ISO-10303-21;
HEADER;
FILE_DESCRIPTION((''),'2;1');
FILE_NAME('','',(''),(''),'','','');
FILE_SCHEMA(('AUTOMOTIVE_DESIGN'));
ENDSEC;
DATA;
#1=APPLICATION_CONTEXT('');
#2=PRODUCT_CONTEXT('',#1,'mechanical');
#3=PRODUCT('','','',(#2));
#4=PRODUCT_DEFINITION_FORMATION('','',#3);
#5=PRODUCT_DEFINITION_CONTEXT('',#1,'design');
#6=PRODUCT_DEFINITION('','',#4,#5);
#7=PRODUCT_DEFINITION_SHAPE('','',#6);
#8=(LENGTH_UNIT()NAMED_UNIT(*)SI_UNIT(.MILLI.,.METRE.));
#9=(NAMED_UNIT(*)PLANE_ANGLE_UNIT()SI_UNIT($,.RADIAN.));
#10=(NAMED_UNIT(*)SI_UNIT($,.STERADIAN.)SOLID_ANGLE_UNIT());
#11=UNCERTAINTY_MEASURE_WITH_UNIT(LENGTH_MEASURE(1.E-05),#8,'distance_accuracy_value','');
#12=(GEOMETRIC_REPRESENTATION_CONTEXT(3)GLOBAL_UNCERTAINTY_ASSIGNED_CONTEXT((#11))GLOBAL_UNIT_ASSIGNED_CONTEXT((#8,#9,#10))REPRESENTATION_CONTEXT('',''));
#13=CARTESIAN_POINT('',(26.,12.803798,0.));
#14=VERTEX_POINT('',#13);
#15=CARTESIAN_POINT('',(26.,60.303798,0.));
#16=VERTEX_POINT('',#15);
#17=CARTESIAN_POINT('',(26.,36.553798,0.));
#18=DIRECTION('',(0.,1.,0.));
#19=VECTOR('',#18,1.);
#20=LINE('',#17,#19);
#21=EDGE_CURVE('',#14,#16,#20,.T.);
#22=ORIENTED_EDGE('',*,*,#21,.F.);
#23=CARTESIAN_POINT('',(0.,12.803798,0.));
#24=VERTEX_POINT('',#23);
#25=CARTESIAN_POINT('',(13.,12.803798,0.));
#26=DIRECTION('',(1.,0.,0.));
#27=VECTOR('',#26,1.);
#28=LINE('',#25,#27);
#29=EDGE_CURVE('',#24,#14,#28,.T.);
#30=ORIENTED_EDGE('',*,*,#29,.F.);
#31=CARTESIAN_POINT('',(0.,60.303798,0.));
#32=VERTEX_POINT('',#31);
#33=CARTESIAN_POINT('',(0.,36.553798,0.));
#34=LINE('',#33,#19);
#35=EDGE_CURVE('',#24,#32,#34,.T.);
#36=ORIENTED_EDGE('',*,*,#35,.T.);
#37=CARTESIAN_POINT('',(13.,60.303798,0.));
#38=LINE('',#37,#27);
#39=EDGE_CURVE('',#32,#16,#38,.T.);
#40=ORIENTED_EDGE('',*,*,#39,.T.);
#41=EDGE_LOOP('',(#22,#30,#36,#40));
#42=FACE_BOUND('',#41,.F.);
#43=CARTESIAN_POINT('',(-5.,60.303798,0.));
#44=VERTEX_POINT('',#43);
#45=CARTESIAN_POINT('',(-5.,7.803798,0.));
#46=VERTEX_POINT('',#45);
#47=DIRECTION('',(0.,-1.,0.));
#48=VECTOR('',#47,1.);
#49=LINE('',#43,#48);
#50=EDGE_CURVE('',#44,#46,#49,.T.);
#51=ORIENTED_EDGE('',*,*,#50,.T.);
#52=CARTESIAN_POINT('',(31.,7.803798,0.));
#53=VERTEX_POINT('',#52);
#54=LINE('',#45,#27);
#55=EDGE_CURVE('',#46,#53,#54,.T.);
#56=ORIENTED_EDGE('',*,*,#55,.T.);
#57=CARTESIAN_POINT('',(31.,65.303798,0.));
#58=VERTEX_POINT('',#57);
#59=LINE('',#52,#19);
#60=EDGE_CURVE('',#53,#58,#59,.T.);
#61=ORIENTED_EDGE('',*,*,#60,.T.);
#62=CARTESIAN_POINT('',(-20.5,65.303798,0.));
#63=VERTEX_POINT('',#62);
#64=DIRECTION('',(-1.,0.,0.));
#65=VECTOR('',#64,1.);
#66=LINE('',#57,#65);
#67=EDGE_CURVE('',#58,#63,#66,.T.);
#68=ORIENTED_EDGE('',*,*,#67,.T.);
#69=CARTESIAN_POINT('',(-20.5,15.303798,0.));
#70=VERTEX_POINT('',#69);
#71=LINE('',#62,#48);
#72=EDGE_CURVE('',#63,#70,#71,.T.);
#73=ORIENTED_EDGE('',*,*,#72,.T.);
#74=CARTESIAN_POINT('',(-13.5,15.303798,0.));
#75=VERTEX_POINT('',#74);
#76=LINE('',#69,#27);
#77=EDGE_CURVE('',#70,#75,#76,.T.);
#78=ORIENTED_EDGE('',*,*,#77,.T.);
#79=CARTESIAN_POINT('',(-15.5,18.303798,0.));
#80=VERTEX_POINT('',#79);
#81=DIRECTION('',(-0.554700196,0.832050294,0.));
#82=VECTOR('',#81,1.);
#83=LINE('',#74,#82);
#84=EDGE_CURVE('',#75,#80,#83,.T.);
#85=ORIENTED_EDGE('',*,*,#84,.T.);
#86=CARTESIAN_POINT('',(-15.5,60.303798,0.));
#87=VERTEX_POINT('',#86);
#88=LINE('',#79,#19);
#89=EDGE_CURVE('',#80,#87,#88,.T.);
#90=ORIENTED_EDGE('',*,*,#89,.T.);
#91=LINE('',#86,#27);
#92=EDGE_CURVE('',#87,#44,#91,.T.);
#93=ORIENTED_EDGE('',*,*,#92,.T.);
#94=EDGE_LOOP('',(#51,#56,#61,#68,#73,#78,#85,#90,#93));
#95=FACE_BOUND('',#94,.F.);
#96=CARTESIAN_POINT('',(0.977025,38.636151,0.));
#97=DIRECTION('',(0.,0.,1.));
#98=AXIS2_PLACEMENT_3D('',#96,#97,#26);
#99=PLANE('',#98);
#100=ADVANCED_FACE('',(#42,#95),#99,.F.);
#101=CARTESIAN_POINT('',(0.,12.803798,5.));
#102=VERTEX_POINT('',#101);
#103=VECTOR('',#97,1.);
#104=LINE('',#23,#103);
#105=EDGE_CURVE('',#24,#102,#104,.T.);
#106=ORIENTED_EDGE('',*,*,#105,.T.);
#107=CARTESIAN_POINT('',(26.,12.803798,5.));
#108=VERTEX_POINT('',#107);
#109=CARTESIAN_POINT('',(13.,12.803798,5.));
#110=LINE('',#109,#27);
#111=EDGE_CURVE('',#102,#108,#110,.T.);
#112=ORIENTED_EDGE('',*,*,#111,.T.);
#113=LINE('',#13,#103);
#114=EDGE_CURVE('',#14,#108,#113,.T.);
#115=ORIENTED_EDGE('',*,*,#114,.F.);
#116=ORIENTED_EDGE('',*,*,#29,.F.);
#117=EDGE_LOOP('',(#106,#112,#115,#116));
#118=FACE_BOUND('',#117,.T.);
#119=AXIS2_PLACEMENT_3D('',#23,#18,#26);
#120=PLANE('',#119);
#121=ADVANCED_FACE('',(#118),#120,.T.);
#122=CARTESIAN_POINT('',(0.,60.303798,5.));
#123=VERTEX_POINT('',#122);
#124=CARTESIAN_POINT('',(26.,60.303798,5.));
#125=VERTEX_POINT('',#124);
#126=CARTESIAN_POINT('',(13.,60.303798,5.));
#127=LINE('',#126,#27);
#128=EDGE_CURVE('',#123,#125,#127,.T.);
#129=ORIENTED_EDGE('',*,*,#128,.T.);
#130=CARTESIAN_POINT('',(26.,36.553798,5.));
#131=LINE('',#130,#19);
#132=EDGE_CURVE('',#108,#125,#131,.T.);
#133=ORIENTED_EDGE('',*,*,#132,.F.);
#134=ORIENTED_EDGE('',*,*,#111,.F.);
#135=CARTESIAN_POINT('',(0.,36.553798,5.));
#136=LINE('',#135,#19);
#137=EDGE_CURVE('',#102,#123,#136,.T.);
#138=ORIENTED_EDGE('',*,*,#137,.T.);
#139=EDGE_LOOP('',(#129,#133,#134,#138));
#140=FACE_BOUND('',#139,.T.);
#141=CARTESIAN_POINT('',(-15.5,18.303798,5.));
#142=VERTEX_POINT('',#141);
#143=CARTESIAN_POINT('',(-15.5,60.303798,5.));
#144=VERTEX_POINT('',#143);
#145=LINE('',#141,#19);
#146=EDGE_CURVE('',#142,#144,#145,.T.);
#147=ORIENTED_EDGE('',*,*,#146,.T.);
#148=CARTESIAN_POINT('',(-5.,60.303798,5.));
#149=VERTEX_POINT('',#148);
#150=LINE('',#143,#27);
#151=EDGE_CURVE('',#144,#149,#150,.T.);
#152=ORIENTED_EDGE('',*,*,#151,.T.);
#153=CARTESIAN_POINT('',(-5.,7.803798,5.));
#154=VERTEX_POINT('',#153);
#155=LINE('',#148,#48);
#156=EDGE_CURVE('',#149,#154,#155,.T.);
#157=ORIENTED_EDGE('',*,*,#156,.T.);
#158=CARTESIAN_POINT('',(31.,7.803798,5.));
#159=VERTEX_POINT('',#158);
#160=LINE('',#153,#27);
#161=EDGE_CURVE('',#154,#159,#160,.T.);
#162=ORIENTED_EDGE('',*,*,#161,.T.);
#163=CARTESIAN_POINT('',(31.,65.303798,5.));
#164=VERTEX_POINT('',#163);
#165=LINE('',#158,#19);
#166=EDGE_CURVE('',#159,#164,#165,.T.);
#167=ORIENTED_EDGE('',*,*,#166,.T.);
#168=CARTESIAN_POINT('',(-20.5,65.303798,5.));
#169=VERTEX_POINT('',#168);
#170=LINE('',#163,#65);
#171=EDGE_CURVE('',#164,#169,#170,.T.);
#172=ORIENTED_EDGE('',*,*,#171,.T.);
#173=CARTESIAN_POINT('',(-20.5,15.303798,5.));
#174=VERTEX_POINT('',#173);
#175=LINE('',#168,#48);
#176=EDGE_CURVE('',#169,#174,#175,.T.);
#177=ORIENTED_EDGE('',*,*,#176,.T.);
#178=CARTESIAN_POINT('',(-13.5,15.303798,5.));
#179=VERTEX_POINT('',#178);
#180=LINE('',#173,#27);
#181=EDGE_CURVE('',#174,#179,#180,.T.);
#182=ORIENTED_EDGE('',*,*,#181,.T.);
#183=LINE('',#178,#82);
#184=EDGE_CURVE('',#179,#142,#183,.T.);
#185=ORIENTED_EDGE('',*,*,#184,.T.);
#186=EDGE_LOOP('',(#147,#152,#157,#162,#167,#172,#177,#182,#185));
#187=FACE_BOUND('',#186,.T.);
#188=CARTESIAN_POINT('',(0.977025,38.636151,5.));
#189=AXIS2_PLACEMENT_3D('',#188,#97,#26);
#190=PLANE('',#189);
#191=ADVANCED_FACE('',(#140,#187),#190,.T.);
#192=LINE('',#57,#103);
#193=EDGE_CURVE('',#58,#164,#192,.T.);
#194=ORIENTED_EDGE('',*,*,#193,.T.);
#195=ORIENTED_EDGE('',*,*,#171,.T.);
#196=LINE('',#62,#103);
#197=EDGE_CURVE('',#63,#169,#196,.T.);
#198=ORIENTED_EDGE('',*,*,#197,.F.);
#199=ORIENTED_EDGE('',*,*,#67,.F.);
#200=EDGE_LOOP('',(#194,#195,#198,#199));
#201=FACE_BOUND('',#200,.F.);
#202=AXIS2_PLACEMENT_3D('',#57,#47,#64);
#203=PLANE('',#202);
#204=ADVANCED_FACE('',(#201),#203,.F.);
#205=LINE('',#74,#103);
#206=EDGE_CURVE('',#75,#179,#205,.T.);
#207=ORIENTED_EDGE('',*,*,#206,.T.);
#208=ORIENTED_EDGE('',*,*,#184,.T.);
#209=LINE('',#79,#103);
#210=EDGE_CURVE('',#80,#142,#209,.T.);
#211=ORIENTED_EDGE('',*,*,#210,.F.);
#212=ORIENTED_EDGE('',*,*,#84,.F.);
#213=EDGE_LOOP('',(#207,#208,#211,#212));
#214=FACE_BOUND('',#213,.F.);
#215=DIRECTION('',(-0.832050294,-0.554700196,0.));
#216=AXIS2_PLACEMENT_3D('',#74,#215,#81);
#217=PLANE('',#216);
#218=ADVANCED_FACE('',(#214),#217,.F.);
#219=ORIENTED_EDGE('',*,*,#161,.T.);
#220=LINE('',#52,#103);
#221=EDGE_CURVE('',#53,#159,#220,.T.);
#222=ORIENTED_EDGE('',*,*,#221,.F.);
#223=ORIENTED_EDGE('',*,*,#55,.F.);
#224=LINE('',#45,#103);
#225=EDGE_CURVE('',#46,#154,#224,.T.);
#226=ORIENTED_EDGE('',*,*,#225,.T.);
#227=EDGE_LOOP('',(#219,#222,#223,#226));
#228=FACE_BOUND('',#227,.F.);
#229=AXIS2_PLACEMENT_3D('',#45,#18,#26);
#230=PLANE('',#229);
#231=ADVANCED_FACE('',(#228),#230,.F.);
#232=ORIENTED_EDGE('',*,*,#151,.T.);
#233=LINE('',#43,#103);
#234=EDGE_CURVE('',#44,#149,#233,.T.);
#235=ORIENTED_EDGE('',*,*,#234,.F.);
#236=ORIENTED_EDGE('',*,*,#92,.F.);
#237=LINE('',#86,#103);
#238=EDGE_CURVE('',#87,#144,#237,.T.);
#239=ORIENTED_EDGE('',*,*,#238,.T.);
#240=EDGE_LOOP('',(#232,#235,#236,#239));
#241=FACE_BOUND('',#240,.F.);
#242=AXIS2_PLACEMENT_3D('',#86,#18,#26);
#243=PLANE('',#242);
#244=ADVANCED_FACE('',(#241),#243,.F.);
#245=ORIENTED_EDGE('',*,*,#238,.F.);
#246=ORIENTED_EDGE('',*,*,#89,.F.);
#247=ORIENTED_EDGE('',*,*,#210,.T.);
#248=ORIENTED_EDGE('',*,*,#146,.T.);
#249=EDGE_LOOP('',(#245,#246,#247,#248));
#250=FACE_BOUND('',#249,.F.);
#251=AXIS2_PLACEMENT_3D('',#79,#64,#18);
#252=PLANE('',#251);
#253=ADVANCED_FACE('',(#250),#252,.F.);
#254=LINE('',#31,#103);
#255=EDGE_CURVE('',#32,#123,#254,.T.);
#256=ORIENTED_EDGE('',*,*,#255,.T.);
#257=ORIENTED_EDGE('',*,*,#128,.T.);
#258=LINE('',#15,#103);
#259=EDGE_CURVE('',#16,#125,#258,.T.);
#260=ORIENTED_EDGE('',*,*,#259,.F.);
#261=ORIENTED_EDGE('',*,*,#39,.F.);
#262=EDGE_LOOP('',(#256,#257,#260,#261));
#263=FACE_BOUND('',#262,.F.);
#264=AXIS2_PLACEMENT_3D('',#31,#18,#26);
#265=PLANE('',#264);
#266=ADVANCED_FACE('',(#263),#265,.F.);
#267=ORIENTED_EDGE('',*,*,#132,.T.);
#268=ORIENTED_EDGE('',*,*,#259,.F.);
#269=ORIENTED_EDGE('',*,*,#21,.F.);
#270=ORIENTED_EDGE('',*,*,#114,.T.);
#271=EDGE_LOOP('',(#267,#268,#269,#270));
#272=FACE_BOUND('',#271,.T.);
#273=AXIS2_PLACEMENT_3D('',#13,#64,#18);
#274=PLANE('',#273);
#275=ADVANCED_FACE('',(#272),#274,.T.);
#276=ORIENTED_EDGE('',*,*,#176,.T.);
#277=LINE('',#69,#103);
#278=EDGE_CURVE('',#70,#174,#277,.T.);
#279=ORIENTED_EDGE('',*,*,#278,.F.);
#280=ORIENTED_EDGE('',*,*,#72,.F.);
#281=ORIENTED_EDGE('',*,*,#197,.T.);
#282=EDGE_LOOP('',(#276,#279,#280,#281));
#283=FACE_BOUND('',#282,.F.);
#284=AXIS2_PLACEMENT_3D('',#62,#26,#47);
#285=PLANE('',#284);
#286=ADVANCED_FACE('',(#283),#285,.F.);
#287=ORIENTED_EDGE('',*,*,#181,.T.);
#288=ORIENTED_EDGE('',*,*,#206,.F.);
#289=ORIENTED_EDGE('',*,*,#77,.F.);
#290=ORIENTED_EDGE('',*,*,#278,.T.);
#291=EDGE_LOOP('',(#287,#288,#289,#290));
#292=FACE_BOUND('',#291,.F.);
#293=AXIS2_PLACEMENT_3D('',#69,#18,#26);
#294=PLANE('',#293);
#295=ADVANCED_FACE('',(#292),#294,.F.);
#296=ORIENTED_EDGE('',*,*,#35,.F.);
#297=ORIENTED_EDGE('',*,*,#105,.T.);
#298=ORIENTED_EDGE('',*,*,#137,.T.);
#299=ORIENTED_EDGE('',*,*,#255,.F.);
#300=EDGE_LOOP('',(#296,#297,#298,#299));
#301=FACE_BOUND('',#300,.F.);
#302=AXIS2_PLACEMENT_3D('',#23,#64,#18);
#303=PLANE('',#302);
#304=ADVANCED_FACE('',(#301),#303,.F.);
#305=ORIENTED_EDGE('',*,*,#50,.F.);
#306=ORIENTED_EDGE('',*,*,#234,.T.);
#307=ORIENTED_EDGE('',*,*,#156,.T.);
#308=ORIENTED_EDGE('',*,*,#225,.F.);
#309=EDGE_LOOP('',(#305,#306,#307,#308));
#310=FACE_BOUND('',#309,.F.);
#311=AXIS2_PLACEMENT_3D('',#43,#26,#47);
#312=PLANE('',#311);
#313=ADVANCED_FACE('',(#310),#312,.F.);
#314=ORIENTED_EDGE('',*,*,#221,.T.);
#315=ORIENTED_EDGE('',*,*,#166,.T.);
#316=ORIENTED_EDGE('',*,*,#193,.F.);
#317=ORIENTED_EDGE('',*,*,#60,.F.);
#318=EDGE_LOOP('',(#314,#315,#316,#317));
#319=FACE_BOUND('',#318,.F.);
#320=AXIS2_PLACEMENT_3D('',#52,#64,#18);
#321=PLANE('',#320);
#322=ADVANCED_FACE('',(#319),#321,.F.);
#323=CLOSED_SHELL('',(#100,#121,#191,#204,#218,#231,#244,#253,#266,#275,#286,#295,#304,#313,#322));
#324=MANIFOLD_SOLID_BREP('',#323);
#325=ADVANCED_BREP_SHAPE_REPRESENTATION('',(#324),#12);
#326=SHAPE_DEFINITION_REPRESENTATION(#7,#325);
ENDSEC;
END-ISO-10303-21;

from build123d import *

# Parameters (mm, degrees)
F0_W     = 26
F0_H     = 47.5
F1_DEPTH = 5


with BuildPart() as f1:
    # F0 (on Top) → F1 (new body)
    with BuildSketch(Plane.XY):
        Polygon((-20.5, 65.303798), (-20.5, 15.303798), (-13.5, 15.303798), (-15.5, 18.303798), (-15.5, 60.303798), (-5, 60.303798), (-5, 7.803798), (31, 7.803798), (31, 65.303798), align=None)
        with Locations((13, 36.553798)):
            Rectangle(F0_W, F0_H, mode=Mode.SUBTRACT)
    extrude(amount=F1_DEPTH)


solid = f1.part
